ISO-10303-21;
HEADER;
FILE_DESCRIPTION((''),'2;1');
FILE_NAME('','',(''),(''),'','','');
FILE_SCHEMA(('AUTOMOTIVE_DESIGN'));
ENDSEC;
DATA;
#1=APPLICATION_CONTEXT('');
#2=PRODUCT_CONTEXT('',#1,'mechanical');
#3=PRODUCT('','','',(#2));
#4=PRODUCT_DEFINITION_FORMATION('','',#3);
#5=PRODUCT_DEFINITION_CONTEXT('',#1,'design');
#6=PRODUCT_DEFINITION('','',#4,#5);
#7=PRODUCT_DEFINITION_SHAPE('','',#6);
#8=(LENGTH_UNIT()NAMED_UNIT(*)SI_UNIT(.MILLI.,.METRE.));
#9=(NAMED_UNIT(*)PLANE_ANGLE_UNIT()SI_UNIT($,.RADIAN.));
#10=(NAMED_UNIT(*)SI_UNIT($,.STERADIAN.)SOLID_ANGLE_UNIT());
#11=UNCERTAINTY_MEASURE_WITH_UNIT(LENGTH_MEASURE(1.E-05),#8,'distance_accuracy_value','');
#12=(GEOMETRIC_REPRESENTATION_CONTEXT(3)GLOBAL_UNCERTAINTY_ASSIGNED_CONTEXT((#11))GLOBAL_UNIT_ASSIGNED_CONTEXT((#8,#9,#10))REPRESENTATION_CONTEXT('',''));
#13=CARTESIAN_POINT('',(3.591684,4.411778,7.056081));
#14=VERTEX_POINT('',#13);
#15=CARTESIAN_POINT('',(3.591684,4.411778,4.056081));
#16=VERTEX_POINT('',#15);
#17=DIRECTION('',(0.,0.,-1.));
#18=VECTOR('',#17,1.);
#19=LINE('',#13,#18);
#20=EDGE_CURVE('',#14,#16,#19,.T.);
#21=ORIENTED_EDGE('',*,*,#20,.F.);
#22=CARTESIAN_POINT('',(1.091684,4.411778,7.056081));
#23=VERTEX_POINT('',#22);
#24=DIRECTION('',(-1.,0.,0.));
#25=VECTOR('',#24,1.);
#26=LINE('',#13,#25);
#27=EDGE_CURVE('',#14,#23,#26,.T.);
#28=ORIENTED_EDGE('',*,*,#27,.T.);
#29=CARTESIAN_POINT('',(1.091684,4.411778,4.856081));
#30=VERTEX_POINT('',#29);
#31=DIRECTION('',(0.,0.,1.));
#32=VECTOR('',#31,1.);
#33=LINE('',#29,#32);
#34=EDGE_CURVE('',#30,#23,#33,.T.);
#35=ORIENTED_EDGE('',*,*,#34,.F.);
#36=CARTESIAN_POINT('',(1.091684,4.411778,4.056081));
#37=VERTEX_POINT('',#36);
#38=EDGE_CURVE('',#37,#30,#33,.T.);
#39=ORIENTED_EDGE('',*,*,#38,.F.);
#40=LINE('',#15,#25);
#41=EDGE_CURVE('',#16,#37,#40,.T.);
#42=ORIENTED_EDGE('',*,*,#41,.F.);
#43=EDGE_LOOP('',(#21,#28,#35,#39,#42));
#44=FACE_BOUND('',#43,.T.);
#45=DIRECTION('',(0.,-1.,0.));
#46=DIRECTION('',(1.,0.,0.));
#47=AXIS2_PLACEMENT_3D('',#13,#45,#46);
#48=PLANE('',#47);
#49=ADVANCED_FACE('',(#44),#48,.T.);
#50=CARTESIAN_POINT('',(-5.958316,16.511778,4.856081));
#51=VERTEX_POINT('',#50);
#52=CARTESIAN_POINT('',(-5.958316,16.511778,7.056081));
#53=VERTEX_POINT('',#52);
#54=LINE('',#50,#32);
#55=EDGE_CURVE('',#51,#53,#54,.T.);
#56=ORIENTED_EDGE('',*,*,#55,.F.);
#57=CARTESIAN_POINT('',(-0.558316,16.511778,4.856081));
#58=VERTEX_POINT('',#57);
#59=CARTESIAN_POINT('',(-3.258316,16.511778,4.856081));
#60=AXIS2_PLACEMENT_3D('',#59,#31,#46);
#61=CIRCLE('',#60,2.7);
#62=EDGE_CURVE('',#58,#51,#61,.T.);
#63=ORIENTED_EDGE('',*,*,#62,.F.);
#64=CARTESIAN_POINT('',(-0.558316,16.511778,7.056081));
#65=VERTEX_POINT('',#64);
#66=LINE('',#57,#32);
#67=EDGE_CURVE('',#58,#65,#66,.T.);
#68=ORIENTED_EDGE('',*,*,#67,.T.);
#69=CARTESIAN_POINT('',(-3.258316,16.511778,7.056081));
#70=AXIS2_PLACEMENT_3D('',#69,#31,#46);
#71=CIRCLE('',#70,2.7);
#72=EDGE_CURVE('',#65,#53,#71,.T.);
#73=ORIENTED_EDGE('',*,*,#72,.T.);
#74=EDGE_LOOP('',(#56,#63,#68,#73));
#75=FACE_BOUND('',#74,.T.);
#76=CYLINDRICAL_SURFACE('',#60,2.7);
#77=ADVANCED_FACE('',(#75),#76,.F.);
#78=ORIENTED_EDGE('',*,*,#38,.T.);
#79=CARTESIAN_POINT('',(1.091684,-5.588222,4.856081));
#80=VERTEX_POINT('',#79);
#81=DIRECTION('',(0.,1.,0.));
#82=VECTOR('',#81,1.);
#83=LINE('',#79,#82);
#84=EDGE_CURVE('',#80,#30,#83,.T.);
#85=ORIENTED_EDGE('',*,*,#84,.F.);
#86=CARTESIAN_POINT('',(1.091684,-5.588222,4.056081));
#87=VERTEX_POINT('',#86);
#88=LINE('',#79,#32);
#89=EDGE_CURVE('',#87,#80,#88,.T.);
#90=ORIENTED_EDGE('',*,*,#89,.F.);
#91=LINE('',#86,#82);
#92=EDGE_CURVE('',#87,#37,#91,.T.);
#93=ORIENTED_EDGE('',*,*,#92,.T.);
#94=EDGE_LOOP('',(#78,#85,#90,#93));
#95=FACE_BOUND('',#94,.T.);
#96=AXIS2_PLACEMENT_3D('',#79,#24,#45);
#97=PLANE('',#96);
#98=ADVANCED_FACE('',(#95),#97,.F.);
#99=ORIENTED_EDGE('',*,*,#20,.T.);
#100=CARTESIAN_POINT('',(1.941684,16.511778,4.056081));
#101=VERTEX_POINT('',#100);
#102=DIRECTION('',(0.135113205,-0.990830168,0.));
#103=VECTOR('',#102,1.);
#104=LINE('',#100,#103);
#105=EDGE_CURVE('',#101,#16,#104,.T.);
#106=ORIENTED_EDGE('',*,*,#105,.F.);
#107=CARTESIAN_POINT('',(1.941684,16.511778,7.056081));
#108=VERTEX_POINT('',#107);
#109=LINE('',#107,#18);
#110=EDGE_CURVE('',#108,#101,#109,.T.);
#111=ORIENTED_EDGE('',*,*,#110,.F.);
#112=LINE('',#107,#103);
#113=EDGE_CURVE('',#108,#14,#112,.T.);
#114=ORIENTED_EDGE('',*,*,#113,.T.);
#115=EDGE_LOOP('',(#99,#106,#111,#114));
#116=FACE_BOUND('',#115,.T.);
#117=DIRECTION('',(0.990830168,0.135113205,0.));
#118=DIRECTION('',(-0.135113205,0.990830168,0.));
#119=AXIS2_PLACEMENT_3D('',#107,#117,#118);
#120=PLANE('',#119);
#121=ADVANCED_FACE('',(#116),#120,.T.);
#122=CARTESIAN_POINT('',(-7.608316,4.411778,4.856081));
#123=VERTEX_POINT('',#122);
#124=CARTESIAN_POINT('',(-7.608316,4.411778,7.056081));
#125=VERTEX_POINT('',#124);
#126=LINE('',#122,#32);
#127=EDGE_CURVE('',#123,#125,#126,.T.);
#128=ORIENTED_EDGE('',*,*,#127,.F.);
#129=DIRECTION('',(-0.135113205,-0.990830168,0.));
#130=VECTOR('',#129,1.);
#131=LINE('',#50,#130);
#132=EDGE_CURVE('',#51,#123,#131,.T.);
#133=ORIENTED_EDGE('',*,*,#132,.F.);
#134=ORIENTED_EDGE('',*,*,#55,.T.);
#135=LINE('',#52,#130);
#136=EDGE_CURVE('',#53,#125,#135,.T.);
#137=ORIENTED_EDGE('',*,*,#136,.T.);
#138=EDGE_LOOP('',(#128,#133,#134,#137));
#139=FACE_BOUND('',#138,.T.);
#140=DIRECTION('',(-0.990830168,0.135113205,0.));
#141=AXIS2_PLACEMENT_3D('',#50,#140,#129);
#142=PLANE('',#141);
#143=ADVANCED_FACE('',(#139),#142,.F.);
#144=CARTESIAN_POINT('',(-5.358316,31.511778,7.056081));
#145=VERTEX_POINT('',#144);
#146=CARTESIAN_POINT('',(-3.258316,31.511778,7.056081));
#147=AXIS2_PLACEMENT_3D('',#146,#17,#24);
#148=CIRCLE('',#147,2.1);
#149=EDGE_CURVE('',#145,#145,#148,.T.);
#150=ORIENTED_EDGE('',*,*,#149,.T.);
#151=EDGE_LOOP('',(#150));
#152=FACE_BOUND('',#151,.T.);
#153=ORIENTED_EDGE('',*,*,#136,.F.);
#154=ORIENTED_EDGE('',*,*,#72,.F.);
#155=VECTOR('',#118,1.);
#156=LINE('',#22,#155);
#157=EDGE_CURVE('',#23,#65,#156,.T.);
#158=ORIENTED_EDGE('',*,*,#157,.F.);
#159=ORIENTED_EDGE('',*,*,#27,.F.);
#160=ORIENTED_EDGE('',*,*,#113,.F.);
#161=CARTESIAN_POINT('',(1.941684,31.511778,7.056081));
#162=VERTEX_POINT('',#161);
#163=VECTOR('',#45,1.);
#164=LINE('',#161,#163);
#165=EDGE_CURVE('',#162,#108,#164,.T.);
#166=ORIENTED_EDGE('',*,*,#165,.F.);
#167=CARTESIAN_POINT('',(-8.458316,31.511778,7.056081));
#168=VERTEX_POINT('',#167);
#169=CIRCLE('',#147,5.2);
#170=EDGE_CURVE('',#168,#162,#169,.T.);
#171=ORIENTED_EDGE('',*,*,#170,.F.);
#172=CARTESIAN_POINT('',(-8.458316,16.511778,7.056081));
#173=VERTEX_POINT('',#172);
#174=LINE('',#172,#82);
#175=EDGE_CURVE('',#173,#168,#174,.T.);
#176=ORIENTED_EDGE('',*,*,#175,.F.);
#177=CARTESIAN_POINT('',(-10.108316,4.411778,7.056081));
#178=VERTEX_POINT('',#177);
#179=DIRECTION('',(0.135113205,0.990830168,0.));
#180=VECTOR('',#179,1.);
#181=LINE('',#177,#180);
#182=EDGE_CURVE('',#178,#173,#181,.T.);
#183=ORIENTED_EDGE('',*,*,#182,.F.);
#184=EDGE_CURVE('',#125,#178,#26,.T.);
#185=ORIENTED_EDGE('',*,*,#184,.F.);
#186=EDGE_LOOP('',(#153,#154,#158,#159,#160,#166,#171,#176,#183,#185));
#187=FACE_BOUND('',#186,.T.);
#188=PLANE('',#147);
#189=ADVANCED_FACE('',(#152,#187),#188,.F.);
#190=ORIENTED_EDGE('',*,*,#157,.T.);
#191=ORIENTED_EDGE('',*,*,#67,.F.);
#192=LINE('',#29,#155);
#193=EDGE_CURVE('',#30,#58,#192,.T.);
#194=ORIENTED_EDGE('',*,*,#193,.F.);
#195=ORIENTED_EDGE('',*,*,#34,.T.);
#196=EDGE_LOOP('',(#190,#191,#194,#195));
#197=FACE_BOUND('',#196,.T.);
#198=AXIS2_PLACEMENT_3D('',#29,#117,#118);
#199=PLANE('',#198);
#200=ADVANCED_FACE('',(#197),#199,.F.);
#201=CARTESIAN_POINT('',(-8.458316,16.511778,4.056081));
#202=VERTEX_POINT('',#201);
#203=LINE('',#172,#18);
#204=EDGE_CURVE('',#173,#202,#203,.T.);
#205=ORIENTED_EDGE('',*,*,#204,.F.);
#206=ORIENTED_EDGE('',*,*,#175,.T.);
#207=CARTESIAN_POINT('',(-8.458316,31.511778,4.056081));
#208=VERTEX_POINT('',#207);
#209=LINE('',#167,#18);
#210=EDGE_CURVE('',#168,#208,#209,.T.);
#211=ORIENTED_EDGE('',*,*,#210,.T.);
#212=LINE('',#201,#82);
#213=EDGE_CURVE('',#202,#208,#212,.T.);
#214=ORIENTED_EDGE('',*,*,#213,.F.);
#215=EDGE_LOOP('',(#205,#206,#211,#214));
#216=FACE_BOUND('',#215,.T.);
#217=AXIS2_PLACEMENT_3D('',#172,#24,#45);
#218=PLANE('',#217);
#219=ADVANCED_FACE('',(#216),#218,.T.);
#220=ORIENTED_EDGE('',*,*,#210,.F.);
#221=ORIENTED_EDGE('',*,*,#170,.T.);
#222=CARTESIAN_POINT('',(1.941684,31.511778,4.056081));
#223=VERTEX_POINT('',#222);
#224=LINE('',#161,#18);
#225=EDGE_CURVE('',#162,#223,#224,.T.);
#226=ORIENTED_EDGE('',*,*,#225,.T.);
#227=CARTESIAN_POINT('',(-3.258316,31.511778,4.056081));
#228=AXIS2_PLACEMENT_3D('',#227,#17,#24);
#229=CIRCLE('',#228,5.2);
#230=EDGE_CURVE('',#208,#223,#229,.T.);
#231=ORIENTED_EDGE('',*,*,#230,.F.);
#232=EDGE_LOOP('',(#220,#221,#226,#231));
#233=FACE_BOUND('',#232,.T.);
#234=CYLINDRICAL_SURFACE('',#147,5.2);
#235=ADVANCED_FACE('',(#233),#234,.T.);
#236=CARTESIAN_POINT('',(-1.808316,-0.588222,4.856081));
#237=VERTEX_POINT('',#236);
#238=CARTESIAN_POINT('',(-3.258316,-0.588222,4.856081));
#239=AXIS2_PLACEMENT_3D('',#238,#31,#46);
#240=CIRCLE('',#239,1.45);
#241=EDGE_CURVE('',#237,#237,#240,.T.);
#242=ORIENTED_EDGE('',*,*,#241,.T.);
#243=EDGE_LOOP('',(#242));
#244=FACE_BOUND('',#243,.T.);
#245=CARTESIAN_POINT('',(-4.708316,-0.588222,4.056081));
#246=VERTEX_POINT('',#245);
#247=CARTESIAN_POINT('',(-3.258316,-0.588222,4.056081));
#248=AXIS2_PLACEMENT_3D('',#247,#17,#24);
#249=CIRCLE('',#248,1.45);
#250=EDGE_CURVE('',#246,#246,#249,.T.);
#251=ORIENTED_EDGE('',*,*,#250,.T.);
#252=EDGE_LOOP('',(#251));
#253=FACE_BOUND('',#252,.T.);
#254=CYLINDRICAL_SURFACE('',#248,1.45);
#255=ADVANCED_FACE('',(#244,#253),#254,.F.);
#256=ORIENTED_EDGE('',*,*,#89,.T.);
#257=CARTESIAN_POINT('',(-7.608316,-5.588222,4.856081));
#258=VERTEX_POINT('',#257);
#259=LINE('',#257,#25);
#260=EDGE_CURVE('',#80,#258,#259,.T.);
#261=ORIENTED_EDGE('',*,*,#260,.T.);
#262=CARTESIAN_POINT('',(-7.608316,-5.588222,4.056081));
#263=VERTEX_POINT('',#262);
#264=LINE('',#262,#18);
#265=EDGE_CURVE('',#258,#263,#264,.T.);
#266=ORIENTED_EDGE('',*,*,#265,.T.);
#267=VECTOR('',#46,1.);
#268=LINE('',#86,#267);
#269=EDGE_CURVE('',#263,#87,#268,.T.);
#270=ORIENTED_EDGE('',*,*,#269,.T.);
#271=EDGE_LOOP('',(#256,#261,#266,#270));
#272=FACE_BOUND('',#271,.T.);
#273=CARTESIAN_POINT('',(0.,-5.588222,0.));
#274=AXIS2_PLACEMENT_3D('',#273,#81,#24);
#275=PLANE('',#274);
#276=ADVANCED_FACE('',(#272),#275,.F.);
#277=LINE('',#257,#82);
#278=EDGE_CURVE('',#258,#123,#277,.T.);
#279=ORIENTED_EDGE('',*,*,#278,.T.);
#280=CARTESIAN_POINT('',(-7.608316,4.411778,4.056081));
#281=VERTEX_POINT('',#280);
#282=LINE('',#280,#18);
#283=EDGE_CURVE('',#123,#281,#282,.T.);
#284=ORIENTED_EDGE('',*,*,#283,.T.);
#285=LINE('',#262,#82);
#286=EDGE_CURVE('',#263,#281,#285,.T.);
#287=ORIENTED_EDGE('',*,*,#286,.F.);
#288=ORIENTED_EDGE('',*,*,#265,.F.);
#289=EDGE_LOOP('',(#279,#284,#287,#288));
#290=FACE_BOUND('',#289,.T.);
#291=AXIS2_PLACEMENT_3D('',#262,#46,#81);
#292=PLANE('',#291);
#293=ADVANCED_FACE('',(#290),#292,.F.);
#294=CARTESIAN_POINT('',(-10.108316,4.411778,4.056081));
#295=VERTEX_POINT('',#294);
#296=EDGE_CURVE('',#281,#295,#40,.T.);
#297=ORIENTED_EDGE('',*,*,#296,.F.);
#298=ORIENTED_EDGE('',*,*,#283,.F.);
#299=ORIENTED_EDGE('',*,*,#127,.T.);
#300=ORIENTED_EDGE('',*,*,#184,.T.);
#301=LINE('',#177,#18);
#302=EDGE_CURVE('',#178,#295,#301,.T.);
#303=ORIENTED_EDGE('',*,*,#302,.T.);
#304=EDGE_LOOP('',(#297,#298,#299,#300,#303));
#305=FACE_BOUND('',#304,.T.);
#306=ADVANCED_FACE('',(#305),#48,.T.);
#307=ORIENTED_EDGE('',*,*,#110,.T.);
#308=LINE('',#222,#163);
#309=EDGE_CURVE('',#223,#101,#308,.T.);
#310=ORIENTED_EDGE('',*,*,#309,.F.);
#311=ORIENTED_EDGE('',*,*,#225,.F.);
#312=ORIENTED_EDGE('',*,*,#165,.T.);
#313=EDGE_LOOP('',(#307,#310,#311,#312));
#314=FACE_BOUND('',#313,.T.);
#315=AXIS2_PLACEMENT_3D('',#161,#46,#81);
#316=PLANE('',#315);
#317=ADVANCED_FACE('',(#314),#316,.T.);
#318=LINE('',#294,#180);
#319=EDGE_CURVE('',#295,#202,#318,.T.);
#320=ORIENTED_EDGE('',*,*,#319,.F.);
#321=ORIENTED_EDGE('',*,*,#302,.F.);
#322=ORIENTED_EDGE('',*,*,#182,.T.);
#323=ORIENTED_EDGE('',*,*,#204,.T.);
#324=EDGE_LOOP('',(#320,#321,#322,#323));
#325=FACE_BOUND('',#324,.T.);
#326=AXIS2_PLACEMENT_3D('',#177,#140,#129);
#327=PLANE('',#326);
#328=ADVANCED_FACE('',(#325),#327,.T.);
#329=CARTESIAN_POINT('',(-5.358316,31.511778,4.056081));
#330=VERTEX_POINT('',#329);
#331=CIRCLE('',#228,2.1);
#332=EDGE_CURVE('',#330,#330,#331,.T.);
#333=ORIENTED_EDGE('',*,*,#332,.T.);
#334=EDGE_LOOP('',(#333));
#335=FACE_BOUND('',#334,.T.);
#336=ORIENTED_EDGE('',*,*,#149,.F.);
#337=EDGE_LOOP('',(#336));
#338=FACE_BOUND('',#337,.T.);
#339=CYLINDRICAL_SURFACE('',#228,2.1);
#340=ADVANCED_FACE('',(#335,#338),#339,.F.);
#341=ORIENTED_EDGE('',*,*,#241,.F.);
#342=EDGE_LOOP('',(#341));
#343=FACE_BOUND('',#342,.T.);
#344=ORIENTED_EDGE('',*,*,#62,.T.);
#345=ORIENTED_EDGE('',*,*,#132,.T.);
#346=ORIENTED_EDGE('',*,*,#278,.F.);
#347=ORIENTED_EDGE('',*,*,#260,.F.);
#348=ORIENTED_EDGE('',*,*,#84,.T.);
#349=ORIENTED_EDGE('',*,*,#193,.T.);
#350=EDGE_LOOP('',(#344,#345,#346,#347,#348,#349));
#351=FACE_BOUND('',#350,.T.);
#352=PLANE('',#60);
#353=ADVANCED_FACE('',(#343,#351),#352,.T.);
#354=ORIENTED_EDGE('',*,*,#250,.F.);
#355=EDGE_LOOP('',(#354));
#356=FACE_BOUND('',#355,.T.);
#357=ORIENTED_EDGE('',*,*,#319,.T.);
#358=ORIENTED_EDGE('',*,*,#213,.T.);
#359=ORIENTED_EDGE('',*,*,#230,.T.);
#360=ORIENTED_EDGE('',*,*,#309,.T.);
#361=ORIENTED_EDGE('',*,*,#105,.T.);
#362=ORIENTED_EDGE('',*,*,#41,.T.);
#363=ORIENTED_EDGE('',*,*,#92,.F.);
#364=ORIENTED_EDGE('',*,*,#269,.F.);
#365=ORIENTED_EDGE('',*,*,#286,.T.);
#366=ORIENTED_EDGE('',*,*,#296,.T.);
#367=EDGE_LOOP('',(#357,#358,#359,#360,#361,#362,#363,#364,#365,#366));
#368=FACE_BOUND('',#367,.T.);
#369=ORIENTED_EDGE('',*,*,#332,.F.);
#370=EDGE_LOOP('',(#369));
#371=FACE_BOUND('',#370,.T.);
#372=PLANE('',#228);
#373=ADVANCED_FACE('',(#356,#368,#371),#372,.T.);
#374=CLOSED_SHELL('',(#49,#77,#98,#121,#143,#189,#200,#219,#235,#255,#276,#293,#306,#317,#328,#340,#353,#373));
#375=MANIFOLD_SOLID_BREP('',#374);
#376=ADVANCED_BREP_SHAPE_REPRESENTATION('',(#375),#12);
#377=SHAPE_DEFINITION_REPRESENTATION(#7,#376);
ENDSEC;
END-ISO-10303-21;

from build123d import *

# Parameters (mm, degrees)
BOSS_EXTRUDE1_DEPTH        = 3
CUT_EXTRUDE1_DEPTH         = 2.2
SKETCH3_W                  = 8.7
SKETCH3_H                  = 0.8
BOSS_EXTRUDE2_DEPTH        = 10
F_3_7_3_7_DIAMETER_HOLE1_D = 4.2
F_2_9_2_9_DIAMETER_HOLE1_D = 2.9


with BuildPart() as part:
    # Sketch1 → Boss-Extrude1 (new body)
    with BuildSketch(Plane(origin=(0, 0, 4.056081063), x_dir=(-1, 0, 0), z_dir=(0, 0, -1))):
        with BuildLine():
            Line((-1.941684048, 16.511778169), (-3.591684048, 4.411778169))
            Line((-3.591684048, 4.411778169), (10.108315952, 4.411778169))
            Line((10.108315952, 4.411778169), (8.458315952, 16.511778169))
            Line((8.458315952, 16.511778169), (8.458315952, 31.511778169))
            ThreePointArc((8.458315952, 31.511778169), (3.258315952, 36.711778169), (-1.941684048, 31.511778169))
            Line((-1.941684048, 31.511778169), (-1.941684048, 16.511778169))
        make_face()
    extrude(amount=-BOSS_EXTRUDE1_DEPTH)

    # Sketch2 → Cut-Extrude1 (cut)
    with BuildSketch(Plane.XY.offset(7.056081063)):
        with BuildLine():
            Line((1.091684048, 4.411778169), (-0.558315952, 16.511778169))
            ThreePointArc((-0.558315952, 16.511778169), (-3.258315952, 19.211778169), (-5.958315952, 16.511778169))
            Line((-5.958315952, 16.511778169), (-7.608315952, 4.411778169))
            Line((-7.608315952, 4.411778169), (1.091684048, 4.411778169))
        make_face()
    extrude(amount=-CUT_EXTRUDE1_DEPTH, mode=Mode.SUBTRACT)

    # Sketch3 → Boss-Extrude2 (add)
    with BuildSketch(Plane.XZ.offset(-4.411778169)):
        with Locations((-3.258315952, 4.456081063)):
            Rectangle(SKETCH3_W, SKETCH3_H)
    extrude(amount=BOSS_EXTRUDE2_DEPTH)

    # Ø3.7 (3.7) Diameter Hole1 (through all)
    with Locations(Plane(origin=(0, 0, 4.056081063), x_dir=(-1, 0, 0), z_dir=(0, 0, -1))):
        with Locations((3.258315952, 31.511778169)):
            Hole(F_3_7_3_7_DIAMETER_HOLE1_D / 2)

    # Ø2.9 (2.9) Diameter Hole1 (through all)
    with Locations(Plane(origin=(0, 0, 4.056081063), x_dir=(-1, 0, 0), z_dir=(0, 0, -1))):
        with Locations((3.258315952, -0.588221831)):
            Hole(F_2_9_2_9_DIAMETER_HOLE1_D / 2)


solid = part.part
